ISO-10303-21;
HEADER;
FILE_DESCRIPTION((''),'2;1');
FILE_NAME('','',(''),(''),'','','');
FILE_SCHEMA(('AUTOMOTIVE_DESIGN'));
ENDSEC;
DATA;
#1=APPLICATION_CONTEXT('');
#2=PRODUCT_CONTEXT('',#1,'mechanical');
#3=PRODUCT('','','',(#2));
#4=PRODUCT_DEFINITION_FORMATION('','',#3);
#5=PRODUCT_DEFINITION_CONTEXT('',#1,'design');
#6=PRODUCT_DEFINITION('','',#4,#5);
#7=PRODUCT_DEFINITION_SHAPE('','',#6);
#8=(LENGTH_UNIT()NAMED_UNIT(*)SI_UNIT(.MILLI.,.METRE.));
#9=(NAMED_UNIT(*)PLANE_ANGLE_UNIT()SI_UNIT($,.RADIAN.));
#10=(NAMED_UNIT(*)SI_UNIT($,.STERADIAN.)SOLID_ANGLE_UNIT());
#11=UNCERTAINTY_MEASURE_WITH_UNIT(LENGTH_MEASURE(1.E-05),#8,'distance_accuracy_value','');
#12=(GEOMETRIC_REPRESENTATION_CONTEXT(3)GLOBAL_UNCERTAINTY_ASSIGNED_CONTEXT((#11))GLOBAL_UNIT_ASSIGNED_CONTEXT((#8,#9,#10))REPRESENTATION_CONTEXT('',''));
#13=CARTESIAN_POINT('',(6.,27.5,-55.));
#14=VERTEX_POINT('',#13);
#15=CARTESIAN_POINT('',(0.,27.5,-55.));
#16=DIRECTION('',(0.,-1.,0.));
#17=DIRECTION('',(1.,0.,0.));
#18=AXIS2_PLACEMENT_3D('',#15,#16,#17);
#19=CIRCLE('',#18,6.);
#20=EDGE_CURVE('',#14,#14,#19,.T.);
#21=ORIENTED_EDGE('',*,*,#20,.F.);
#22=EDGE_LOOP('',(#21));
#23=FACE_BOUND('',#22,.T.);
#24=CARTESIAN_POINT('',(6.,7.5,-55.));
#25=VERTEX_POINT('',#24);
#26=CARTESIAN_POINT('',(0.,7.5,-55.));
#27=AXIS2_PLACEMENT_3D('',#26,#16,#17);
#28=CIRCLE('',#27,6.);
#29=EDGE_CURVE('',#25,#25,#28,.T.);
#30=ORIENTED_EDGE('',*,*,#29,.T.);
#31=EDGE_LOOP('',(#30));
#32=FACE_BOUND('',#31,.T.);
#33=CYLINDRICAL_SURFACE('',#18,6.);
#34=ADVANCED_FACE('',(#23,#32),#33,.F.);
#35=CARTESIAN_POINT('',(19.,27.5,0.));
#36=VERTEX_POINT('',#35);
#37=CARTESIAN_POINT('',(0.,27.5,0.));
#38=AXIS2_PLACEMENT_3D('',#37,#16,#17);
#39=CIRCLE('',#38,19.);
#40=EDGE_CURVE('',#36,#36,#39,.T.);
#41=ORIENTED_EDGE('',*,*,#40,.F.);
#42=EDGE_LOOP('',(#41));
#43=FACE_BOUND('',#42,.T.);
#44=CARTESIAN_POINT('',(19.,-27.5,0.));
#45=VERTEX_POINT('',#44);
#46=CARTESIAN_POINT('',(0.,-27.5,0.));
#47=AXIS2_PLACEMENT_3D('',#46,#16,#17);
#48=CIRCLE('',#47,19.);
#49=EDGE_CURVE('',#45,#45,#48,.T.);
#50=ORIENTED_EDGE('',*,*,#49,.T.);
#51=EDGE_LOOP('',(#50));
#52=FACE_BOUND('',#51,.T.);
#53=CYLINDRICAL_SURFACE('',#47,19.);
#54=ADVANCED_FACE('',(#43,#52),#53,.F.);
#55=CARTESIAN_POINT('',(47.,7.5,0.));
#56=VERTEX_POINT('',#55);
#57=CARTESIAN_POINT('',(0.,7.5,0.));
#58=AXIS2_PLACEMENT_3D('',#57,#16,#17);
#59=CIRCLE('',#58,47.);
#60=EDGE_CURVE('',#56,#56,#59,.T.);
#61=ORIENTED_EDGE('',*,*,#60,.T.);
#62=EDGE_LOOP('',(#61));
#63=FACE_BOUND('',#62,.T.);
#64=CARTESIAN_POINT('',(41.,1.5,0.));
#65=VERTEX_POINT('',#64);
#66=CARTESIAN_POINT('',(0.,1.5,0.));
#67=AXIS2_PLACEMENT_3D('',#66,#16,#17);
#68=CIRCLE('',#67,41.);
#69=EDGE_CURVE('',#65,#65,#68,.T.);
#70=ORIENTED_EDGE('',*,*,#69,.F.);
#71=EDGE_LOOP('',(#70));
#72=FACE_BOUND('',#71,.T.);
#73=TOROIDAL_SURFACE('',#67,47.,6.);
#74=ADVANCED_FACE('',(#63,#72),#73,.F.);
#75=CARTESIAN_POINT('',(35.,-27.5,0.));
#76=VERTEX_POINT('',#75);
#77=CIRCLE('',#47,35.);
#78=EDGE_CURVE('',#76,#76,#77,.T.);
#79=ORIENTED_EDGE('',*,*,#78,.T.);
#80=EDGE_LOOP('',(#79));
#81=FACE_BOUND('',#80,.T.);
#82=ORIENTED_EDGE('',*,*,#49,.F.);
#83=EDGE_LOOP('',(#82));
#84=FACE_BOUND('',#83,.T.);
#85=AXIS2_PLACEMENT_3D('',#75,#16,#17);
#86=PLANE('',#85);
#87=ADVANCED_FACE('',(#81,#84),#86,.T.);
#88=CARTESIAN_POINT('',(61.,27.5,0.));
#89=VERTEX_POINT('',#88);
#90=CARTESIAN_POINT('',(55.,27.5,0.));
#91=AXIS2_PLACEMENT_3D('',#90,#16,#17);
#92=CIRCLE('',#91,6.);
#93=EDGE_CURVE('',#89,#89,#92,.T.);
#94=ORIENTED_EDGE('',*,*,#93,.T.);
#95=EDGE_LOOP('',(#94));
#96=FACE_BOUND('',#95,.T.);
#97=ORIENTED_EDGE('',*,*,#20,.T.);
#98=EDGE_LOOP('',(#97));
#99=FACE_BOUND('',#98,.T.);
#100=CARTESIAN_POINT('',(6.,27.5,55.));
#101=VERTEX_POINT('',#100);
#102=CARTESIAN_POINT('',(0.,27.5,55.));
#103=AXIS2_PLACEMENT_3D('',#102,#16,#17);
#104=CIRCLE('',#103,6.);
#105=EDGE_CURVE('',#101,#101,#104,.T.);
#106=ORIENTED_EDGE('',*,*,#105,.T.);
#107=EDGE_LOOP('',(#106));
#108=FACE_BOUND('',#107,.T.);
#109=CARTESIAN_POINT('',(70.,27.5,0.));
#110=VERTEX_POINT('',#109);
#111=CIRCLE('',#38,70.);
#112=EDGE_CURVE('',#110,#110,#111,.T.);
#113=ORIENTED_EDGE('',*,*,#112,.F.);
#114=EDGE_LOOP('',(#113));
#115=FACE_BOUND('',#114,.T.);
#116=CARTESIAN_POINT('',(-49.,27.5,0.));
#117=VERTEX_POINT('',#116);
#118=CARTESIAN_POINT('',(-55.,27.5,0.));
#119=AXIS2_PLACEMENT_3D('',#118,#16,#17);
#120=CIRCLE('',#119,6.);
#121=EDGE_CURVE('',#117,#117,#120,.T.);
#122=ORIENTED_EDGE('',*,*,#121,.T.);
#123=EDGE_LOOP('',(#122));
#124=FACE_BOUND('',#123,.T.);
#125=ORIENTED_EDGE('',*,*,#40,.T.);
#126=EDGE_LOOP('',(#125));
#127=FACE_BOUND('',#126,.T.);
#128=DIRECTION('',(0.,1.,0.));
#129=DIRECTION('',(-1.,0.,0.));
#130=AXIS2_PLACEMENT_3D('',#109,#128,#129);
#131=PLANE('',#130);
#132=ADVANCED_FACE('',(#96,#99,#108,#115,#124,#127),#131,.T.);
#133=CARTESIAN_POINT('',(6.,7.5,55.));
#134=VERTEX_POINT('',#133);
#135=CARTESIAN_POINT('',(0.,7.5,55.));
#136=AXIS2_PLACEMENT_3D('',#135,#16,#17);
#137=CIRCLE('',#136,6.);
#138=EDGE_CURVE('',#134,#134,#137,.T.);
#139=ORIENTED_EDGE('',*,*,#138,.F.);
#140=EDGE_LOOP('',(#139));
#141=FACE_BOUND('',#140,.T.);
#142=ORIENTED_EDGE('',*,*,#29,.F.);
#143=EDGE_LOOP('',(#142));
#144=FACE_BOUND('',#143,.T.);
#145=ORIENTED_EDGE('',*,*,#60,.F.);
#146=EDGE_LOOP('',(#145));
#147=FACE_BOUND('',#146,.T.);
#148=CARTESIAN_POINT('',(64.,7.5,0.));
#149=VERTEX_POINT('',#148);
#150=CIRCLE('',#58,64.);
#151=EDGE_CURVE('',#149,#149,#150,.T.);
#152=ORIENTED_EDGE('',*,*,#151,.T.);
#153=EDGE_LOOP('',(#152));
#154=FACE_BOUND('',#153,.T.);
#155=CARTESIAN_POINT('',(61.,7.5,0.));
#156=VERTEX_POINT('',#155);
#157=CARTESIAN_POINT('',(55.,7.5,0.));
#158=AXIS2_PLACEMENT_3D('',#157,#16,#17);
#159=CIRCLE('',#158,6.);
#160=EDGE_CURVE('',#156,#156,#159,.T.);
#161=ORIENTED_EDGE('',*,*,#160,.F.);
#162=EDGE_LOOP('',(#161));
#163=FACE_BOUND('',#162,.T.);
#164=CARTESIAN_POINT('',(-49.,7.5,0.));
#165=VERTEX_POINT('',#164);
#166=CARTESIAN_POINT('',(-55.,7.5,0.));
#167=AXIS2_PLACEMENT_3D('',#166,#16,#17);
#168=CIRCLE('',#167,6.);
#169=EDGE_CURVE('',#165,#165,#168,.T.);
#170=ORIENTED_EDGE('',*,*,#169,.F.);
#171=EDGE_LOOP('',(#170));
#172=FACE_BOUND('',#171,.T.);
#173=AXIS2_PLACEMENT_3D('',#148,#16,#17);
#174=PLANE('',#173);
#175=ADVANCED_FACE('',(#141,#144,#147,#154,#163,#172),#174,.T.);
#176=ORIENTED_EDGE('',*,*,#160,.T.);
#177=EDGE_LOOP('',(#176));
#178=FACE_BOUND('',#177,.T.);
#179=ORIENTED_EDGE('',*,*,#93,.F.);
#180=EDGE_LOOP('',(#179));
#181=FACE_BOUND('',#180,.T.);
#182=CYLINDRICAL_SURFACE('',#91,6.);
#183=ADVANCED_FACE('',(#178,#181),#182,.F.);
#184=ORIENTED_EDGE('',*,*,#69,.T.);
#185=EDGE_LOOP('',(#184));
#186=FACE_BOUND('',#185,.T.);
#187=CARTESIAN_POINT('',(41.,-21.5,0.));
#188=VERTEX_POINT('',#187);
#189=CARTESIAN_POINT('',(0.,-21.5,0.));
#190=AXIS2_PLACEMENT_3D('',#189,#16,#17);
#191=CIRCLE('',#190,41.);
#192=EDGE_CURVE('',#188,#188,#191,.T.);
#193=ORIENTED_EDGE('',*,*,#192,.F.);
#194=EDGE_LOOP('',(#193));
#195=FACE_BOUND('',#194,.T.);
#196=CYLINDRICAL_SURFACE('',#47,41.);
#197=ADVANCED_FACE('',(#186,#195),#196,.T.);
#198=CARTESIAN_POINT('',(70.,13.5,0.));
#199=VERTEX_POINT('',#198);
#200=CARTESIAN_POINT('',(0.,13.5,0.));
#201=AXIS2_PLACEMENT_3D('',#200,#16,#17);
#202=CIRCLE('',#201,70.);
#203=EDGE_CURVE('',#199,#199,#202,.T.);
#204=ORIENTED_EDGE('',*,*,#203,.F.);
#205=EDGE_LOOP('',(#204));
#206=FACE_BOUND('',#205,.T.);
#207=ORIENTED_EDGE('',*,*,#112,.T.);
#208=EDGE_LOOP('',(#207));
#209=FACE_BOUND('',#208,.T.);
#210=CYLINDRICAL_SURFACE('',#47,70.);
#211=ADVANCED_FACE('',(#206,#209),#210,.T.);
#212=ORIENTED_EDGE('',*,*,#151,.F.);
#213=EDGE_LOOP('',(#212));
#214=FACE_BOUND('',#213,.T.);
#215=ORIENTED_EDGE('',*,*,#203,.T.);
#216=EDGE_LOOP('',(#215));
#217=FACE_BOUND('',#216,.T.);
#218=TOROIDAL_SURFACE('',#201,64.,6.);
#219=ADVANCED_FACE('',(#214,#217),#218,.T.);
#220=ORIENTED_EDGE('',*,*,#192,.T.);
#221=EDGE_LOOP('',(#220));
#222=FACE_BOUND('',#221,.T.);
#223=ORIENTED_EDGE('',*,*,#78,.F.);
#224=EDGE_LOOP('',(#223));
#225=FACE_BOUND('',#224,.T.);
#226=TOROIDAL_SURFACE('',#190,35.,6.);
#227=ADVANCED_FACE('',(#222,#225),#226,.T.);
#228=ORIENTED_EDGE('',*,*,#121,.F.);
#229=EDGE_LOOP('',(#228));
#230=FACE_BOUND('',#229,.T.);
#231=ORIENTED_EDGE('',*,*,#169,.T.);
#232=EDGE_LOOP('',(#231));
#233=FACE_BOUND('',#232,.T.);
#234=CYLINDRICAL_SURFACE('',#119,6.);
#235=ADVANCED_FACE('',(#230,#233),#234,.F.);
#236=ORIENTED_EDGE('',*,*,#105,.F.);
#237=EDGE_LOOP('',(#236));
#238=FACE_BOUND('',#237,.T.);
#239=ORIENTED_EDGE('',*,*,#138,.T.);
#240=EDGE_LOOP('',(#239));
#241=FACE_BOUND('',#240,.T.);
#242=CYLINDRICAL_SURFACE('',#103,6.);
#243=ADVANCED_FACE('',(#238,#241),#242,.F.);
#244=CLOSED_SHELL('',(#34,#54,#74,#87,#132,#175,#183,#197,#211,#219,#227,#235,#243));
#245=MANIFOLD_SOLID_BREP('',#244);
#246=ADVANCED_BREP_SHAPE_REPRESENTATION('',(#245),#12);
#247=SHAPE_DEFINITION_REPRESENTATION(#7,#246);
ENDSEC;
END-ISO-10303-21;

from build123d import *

# Parameters (mm, degrees)
SKETCH2_R          = 6
CUT_EXTRUDE1_DEPTH = 106.000000067


with BuildPart() as part:
    # Sketch1 → Revolve1 (revolve)
    with BuildSketch(Plane.XY):
        with BuildLine():
            Line((70, 27.5), (19, 27.5))
            Line((19, 27.5), (19, -27.5))
            Line((19, -27.5), (35, -27.5))
            ThreePointArc((35, -27.5), (39.242640687, -25.742640687), (41, -21.5))
            Line((41, -21.5), (41, 1.5))
            ThreePointArc((41, 1.5), (42.757359313, 5.742640687), (47, 7.5))
            Line((47, 7.5), (64, 7.5))
            ThreePointArc((64, 7.5), (68.242640687, 9.257359313), (70, 13.5))
            Line((70, 13.5), (70, 27.5))
        make_face()
    revolve(axis=Axis((0, -27.5, 0), (0, 1, 0)))

    # Sketch2 → Cut-Extrude1 (cut, through all)
    with BuildSketch(Plane.XZ.offset(-7.5)):
        with Locations((-55, 0)):
            Circle(SKETCH2_R)
        with Locations((0, 55)):
            Circle(SKETCH2_R)
        with Locations((55, 0)):
            Circle(SKETCH2_R)
        with Locations((0, -55)):
            Circle(SKETCH2_R)
    extrude(amount=-CUT_EXTRUDE1_DEPTH, mode=Mode.SUBTRACT)


solid = part.part
